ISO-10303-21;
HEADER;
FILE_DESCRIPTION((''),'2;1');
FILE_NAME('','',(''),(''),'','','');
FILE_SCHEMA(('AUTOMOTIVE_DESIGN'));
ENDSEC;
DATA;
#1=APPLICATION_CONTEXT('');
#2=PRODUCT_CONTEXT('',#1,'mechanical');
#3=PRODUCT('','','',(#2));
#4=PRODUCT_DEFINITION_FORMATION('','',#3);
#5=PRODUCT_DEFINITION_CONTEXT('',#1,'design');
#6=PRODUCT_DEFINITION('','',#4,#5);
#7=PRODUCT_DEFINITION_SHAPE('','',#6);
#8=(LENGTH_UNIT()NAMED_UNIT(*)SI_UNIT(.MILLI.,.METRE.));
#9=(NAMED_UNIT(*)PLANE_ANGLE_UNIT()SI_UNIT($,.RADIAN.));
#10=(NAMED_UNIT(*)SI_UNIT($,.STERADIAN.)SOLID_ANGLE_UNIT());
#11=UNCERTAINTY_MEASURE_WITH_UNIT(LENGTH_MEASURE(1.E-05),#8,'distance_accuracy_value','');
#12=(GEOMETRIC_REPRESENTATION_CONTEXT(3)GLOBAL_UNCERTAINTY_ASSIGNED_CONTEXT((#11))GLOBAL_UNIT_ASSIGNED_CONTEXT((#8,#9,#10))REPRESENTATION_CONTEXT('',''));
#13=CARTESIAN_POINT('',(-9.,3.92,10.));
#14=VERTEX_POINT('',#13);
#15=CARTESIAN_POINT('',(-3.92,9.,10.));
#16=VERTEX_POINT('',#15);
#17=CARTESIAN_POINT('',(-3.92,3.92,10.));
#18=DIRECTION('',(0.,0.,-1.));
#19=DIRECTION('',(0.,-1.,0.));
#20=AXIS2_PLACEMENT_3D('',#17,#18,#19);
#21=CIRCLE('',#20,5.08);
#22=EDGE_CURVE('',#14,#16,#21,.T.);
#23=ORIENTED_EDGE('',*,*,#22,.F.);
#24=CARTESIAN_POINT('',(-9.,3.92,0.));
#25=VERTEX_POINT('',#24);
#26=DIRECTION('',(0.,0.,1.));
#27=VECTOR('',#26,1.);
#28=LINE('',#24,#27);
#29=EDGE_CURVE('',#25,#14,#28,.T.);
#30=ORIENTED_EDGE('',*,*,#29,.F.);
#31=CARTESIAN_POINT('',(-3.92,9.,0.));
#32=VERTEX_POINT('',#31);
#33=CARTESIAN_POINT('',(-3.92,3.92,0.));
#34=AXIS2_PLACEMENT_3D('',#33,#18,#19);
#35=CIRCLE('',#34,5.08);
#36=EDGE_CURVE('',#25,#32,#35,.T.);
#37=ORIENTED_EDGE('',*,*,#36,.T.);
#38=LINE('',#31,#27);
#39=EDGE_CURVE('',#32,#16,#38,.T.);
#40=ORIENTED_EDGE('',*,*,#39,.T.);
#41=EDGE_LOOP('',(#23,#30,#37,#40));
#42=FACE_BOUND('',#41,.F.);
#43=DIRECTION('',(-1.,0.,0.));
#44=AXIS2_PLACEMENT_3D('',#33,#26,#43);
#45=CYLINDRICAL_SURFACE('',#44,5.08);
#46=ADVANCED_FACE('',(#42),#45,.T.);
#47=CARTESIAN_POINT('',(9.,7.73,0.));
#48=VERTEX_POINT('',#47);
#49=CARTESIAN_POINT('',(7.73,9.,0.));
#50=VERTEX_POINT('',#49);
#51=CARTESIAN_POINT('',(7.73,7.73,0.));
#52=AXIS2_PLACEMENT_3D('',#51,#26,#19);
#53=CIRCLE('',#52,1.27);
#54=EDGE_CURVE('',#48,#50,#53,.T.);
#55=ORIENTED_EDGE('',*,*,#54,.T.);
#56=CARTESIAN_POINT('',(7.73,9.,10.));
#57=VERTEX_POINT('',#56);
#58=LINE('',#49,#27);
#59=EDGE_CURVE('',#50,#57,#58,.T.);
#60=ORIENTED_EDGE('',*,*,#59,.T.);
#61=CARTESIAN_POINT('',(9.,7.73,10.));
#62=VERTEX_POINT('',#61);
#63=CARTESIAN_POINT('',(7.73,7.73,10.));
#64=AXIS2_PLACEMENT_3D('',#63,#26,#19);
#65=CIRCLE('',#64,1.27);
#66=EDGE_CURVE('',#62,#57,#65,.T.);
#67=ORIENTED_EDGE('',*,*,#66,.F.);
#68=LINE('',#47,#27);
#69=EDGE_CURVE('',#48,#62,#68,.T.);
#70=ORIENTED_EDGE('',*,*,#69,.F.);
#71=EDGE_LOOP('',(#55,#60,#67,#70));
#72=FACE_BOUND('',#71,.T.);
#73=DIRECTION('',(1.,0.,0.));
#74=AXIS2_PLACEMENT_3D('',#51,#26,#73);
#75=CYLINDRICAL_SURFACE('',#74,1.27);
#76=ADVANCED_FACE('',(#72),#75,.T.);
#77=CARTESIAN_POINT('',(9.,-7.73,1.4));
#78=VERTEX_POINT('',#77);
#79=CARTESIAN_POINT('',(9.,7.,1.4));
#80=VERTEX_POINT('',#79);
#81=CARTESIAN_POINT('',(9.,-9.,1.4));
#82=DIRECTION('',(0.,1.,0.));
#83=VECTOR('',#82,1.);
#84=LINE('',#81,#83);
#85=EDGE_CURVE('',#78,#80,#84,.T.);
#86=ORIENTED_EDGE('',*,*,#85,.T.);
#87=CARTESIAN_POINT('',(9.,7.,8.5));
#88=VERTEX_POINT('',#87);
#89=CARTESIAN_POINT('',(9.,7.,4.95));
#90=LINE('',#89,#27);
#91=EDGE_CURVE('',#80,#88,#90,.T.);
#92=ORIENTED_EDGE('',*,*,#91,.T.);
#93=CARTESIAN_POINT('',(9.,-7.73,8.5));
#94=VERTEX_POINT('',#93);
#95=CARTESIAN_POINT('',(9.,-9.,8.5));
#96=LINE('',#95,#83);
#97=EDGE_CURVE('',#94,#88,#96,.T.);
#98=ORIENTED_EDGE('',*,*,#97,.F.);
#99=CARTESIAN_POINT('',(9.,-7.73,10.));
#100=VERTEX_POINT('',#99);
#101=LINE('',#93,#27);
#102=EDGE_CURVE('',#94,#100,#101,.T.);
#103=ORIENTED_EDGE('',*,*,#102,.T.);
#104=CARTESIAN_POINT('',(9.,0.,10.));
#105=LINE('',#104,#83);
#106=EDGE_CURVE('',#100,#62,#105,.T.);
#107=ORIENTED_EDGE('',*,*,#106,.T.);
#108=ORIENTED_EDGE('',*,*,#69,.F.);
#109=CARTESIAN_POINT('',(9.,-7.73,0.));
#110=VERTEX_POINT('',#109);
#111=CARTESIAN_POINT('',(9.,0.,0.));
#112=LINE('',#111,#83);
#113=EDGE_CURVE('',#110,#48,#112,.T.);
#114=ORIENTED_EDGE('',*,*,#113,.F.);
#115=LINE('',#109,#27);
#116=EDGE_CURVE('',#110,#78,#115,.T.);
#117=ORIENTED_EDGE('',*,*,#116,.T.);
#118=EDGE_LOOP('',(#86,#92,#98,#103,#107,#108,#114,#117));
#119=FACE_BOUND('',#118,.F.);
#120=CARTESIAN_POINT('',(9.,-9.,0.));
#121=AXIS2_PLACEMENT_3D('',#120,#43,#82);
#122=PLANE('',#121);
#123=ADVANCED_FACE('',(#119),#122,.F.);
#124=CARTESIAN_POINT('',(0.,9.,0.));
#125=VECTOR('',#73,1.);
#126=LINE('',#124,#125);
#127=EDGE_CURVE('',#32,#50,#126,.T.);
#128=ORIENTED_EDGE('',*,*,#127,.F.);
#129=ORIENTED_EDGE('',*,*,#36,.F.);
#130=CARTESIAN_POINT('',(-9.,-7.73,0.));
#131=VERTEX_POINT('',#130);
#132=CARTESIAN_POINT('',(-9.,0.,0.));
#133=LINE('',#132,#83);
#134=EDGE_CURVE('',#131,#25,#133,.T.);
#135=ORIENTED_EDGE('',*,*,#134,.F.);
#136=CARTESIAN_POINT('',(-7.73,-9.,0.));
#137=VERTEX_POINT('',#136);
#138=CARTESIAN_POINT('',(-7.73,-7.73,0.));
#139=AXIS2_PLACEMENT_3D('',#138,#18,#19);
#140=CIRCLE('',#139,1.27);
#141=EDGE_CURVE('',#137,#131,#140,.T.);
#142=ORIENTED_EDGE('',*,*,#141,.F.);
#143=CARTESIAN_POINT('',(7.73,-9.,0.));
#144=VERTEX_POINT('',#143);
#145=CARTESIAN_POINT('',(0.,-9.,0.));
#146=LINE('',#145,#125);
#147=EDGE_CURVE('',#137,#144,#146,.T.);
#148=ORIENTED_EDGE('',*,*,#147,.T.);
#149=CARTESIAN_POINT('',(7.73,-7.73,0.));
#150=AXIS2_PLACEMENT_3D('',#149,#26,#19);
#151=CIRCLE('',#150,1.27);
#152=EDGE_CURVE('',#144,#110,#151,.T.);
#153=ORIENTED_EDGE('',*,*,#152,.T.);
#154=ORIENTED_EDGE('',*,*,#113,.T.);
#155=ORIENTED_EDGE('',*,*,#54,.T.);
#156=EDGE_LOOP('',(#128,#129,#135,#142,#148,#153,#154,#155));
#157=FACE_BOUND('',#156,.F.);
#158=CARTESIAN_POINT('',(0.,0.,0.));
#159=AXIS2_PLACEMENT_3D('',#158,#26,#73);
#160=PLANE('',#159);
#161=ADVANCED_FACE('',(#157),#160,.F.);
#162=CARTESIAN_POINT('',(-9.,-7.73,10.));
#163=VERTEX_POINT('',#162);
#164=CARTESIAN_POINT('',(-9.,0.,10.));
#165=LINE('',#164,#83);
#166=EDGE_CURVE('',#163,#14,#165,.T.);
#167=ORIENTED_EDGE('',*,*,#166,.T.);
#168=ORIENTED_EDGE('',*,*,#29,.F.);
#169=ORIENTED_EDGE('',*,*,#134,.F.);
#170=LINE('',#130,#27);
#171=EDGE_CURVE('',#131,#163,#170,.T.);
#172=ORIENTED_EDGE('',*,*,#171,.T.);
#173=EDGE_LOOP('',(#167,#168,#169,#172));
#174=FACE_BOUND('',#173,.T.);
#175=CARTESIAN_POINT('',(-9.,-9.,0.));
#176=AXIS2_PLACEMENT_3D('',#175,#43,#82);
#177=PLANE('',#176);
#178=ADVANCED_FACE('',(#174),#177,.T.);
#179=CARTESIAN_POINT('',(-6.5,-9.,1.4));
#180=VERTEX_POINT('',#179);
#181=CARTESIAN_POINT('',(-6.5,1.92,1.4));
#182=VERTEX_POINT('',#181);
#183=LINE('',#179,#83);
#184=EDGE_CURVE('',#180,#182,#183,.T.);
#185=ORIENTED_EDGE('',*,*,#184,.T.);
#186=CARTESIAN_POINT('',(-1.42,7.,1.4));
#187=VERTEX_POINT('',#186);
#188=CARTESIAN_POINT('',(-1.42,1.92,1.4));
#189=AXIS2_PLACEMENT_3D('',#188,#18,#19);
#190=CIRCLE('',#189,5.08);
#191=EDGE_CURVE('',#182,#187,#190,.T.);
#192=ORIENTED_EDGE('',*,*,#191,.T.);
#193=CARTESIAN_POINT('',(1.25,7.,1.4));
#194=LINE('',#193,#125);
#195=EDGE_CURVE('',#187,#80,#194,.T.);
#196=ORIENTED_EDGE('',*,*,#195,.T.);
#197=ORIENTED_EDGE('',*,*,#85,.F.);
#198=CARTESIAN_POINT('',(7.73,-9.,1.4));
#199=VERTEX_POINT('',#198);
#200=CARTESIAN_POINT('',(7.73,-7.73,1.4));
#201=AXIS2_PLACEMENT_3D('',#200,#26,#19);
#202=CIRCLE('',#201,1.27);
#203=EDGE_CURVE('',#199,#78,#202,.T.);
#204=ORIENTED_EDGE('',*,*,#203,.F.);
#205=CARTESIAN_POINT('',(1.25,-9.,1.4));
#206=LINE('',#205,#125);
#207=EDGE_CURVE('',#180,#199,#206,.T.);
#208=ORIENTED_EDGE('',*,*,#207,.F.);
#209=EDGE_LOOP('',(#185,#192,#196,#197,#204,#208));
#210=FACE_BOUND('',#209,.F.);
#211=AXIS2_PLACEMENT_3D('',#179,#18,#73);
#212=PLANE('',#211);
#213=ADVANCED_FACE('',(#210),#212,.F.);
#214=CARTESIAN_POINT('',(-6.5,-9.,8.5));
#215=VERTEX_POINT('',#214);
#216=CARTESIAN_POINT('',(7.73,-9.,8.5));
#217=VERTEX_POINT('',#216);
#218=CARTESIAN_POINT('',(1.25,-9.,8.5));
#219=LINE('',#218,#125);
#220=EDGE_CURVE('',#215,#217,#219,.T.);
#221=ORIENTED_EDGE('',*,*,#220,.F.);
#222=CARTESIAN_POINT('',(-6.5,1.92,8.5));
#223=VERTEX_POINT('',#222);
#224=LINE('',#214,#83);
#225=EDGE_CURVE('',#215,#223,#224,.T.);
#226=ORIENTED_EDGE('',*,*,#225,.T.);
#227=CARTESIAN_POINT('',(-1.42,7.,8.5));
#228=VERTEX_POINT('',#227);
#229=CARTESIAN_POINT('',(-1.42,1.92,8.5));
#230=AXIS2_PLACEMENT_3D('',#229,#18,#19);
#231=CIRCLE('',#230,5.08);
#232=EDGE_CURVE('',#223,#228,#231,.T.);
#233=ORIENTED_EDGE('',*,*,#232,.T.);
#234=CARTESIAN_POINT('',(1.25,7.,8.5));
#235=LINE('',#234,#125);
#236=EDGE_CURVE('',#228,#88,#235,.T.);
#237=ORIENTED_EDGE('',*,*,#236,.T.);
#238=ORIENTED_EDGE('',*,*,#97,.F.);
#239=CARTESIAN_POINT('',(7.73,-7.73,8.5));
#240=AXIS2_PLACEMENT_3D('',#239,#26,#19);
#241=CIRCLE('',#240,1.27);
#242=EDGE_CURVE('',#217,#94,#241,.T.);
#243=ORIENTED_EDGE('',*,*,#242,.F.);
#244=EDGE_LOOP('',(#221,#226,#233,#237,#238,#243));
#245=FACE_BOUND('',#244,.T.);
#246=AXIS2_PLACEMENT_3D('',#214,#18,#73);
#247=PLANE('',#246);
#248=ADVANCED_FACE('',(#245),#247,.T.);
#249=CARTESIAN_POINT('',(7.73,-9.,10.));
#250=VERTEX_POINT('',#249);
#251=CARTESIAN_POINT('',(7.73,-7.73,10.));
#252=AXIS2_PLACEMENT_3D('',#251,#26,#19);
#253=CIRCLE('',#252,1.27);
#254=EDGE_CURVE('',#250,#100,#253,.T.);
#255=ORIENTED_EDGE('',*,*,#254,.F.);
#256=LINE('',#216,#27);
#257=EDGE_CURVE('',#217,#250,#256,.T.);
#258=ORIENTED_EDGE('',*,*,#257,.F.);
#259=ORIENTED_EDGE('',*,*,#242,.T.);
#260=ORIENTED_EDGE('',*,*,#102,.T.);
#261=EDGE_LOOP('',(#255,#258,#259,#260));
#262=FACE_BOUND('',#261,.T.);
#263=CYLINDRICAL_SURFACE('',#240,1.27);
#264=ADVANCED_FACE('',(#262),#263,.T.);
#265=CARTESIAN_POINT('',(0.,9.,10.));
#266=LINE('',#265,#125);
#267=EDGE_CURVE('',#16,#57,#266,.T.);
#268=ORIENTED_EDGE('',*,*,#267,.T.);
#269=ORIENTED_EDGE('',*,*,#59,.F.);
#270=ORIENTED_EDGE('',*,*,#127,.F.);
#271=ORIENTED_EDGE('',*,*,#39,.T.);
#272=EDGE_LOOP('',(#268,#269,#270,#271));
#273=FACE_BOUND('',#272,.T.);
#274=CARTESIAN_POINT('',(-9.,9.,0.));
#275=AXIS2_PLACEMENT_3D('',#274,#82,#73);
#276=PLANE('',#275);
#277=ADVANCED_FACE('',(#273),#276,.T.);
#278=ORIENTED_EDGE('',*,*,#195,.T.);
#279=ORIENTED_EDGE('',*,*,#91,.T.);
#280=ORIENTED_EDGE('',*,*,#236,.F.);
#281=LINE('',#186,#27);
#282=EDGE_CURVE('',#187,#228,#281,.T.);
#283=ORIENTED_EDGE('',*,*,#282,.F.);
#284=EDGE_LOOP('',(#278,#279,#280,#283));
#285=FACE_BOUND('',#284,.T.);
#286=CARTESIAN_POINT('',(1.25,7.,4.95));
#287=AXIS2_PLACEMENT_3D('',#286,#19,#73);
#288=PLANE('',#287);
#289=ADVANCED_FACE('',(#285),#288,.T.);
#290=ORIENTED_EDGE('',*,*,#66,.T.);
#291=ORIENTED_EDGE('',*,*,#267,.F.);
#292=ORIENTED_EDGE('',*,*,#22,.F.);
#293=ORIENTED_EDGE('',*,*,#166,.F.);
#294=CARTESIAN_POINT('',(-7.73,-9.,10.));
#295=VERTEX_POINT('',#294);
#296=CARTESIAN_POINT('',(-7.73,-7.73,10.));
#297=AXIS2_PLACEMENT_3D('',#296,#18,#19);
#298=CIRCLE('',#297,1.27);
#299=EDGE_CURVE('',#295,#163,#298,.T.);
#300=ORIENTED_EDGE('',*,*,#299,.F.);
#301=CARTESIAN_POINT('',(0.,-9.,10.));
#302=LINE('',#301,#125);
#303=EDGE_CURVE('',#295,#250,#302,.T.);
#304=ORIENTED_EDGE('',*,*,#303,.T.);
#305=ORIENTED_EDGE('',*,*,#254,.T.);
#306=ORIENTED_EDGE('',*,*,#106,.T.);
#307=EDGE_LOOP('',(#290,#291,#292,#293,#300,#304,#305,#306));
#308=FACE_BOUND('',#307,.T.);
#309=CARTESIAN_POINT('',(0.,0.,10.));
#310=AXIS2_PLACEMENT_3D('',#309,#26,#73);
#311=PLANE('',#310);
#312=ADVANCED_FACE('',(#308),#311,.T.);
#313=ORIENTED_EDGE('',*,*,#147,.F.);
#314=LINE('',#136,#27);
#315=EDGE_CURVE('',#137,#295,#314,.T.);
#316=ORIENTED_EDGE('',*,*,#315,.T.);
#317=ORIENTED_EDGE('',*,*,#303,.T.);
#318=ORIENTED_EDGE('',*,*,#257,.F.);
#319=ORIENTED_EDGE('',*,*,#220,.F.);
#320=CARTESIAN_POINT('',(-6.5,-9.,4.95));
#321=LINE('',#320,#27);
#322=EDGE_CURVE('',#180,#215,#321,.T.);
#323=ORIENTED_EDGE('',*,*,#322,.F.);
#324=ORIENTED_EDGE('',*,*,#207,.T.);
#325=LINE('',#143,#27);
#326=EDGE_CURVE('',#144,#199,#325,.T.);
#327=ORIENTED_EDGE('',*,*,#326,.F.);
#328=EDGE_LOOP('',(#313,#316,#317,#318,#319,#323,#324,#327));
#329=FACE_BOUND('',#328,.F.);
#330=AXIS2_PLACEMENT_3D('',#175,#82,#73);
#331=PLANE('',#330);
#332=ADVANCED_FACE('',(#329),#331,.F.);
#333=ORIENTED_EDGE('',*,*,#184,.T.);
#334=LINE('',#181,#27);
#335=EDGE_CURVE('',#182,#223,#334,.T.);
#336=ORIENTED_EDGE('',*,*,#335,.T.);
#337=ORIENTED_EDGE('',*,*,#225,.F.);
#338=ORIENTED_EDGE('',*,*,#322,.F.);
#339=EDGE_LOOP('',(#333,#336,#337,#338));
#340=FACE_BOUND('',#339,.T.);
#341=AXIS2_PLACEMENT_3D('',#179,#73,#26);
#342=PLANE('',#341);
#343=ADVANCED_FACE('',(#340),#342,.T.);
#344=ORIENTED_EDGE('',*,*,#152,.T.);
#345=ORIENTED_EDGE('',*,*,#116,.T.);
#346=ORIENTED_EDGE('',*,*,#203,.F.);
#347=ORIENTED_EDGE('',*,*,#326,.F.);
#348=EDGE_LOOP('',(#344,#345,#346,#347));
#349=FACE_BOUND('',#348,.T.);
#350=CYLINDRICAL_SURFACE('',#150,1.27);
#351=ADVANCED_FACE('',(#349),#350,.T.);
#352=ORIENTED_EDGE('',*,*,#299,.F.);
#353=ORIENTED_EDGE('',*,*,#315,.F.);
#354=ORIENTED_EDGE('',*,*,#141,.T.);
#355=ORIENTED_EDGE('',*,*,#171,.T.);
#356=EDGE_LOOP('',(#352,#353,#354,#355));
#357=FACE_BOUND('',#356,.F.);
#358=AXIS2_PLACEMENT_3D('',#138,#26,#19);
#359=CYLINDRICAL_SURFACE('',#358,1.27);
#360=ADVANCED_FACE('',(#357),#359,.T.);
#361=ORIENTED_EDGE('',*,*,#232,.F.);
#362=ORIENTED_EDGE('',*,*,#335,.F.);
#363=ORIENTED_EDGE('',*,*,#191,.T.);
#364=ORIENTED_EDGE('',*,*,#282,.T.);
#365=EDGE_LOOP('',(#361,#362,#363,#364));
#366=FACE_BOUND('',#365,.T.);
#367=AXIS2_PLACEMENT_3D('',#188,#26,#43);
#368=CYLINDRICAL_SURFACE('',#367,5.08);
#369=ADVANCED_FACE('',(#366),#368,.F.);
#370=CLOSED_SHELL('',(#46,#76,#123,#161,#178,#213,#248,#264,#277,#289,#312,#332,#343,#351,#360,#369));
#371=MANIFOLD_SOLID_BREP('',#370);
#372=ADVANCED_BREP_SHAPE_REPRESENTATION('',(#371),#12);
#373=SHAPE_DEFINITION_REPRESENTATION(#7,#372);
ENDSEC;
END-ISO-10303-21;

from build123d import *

# Parameters (mm, degrees)
F0_W     = 18
F0_H     = 18
F1_DEPTH = 10
F2_W     = 15.5
F2_H     = 7.1
F3_DEPTH = 16
F4_R     = 5.08
F5_R     = 5.08
F6_R     = 1.27


with BuildPart() as f1:
    # F0 (on Top) → F1 (new body)
    with BuildSketch(Plane.XY):
        Rectangle(F0_W, F0_H)
    extrude(amount=F1_DEPTH)

    # F2 (on face) → F3 (cut)
    with BuildSketch(Plane.XZ.offset(9)):
        with Locations((1.25, 4.95)):
            Rectangle(F2_W, F2_H)
    extrude(amount=-F3_DEPTH, mode=Mode.SUBTRACT)

    # F4
    f4_edges = [f1.edges().sort_by_distance(p)[0] for p in [
        (-9, 9, 5),
    ]]
    fillet(f4_edges, radius=F4_R)

    # F5
    f5_edges = [f1.edges().sort_by_distance(p)[0] for p in [
        (-6.5, 7, 4.95),
    ]]
    fillet(f5_edges, radius=F5_R)

    # F6
    f6_edges = [f1.edges().sort_by_distance(p)[0] for p in [
        (-9, -9, 5),
        (9, 9, 5),
        (9, -9, 0.7),
        (9, -9, 9.25),
    ]]
    fillet(f6_edges, radius=F6_R)


solid = f1.part
